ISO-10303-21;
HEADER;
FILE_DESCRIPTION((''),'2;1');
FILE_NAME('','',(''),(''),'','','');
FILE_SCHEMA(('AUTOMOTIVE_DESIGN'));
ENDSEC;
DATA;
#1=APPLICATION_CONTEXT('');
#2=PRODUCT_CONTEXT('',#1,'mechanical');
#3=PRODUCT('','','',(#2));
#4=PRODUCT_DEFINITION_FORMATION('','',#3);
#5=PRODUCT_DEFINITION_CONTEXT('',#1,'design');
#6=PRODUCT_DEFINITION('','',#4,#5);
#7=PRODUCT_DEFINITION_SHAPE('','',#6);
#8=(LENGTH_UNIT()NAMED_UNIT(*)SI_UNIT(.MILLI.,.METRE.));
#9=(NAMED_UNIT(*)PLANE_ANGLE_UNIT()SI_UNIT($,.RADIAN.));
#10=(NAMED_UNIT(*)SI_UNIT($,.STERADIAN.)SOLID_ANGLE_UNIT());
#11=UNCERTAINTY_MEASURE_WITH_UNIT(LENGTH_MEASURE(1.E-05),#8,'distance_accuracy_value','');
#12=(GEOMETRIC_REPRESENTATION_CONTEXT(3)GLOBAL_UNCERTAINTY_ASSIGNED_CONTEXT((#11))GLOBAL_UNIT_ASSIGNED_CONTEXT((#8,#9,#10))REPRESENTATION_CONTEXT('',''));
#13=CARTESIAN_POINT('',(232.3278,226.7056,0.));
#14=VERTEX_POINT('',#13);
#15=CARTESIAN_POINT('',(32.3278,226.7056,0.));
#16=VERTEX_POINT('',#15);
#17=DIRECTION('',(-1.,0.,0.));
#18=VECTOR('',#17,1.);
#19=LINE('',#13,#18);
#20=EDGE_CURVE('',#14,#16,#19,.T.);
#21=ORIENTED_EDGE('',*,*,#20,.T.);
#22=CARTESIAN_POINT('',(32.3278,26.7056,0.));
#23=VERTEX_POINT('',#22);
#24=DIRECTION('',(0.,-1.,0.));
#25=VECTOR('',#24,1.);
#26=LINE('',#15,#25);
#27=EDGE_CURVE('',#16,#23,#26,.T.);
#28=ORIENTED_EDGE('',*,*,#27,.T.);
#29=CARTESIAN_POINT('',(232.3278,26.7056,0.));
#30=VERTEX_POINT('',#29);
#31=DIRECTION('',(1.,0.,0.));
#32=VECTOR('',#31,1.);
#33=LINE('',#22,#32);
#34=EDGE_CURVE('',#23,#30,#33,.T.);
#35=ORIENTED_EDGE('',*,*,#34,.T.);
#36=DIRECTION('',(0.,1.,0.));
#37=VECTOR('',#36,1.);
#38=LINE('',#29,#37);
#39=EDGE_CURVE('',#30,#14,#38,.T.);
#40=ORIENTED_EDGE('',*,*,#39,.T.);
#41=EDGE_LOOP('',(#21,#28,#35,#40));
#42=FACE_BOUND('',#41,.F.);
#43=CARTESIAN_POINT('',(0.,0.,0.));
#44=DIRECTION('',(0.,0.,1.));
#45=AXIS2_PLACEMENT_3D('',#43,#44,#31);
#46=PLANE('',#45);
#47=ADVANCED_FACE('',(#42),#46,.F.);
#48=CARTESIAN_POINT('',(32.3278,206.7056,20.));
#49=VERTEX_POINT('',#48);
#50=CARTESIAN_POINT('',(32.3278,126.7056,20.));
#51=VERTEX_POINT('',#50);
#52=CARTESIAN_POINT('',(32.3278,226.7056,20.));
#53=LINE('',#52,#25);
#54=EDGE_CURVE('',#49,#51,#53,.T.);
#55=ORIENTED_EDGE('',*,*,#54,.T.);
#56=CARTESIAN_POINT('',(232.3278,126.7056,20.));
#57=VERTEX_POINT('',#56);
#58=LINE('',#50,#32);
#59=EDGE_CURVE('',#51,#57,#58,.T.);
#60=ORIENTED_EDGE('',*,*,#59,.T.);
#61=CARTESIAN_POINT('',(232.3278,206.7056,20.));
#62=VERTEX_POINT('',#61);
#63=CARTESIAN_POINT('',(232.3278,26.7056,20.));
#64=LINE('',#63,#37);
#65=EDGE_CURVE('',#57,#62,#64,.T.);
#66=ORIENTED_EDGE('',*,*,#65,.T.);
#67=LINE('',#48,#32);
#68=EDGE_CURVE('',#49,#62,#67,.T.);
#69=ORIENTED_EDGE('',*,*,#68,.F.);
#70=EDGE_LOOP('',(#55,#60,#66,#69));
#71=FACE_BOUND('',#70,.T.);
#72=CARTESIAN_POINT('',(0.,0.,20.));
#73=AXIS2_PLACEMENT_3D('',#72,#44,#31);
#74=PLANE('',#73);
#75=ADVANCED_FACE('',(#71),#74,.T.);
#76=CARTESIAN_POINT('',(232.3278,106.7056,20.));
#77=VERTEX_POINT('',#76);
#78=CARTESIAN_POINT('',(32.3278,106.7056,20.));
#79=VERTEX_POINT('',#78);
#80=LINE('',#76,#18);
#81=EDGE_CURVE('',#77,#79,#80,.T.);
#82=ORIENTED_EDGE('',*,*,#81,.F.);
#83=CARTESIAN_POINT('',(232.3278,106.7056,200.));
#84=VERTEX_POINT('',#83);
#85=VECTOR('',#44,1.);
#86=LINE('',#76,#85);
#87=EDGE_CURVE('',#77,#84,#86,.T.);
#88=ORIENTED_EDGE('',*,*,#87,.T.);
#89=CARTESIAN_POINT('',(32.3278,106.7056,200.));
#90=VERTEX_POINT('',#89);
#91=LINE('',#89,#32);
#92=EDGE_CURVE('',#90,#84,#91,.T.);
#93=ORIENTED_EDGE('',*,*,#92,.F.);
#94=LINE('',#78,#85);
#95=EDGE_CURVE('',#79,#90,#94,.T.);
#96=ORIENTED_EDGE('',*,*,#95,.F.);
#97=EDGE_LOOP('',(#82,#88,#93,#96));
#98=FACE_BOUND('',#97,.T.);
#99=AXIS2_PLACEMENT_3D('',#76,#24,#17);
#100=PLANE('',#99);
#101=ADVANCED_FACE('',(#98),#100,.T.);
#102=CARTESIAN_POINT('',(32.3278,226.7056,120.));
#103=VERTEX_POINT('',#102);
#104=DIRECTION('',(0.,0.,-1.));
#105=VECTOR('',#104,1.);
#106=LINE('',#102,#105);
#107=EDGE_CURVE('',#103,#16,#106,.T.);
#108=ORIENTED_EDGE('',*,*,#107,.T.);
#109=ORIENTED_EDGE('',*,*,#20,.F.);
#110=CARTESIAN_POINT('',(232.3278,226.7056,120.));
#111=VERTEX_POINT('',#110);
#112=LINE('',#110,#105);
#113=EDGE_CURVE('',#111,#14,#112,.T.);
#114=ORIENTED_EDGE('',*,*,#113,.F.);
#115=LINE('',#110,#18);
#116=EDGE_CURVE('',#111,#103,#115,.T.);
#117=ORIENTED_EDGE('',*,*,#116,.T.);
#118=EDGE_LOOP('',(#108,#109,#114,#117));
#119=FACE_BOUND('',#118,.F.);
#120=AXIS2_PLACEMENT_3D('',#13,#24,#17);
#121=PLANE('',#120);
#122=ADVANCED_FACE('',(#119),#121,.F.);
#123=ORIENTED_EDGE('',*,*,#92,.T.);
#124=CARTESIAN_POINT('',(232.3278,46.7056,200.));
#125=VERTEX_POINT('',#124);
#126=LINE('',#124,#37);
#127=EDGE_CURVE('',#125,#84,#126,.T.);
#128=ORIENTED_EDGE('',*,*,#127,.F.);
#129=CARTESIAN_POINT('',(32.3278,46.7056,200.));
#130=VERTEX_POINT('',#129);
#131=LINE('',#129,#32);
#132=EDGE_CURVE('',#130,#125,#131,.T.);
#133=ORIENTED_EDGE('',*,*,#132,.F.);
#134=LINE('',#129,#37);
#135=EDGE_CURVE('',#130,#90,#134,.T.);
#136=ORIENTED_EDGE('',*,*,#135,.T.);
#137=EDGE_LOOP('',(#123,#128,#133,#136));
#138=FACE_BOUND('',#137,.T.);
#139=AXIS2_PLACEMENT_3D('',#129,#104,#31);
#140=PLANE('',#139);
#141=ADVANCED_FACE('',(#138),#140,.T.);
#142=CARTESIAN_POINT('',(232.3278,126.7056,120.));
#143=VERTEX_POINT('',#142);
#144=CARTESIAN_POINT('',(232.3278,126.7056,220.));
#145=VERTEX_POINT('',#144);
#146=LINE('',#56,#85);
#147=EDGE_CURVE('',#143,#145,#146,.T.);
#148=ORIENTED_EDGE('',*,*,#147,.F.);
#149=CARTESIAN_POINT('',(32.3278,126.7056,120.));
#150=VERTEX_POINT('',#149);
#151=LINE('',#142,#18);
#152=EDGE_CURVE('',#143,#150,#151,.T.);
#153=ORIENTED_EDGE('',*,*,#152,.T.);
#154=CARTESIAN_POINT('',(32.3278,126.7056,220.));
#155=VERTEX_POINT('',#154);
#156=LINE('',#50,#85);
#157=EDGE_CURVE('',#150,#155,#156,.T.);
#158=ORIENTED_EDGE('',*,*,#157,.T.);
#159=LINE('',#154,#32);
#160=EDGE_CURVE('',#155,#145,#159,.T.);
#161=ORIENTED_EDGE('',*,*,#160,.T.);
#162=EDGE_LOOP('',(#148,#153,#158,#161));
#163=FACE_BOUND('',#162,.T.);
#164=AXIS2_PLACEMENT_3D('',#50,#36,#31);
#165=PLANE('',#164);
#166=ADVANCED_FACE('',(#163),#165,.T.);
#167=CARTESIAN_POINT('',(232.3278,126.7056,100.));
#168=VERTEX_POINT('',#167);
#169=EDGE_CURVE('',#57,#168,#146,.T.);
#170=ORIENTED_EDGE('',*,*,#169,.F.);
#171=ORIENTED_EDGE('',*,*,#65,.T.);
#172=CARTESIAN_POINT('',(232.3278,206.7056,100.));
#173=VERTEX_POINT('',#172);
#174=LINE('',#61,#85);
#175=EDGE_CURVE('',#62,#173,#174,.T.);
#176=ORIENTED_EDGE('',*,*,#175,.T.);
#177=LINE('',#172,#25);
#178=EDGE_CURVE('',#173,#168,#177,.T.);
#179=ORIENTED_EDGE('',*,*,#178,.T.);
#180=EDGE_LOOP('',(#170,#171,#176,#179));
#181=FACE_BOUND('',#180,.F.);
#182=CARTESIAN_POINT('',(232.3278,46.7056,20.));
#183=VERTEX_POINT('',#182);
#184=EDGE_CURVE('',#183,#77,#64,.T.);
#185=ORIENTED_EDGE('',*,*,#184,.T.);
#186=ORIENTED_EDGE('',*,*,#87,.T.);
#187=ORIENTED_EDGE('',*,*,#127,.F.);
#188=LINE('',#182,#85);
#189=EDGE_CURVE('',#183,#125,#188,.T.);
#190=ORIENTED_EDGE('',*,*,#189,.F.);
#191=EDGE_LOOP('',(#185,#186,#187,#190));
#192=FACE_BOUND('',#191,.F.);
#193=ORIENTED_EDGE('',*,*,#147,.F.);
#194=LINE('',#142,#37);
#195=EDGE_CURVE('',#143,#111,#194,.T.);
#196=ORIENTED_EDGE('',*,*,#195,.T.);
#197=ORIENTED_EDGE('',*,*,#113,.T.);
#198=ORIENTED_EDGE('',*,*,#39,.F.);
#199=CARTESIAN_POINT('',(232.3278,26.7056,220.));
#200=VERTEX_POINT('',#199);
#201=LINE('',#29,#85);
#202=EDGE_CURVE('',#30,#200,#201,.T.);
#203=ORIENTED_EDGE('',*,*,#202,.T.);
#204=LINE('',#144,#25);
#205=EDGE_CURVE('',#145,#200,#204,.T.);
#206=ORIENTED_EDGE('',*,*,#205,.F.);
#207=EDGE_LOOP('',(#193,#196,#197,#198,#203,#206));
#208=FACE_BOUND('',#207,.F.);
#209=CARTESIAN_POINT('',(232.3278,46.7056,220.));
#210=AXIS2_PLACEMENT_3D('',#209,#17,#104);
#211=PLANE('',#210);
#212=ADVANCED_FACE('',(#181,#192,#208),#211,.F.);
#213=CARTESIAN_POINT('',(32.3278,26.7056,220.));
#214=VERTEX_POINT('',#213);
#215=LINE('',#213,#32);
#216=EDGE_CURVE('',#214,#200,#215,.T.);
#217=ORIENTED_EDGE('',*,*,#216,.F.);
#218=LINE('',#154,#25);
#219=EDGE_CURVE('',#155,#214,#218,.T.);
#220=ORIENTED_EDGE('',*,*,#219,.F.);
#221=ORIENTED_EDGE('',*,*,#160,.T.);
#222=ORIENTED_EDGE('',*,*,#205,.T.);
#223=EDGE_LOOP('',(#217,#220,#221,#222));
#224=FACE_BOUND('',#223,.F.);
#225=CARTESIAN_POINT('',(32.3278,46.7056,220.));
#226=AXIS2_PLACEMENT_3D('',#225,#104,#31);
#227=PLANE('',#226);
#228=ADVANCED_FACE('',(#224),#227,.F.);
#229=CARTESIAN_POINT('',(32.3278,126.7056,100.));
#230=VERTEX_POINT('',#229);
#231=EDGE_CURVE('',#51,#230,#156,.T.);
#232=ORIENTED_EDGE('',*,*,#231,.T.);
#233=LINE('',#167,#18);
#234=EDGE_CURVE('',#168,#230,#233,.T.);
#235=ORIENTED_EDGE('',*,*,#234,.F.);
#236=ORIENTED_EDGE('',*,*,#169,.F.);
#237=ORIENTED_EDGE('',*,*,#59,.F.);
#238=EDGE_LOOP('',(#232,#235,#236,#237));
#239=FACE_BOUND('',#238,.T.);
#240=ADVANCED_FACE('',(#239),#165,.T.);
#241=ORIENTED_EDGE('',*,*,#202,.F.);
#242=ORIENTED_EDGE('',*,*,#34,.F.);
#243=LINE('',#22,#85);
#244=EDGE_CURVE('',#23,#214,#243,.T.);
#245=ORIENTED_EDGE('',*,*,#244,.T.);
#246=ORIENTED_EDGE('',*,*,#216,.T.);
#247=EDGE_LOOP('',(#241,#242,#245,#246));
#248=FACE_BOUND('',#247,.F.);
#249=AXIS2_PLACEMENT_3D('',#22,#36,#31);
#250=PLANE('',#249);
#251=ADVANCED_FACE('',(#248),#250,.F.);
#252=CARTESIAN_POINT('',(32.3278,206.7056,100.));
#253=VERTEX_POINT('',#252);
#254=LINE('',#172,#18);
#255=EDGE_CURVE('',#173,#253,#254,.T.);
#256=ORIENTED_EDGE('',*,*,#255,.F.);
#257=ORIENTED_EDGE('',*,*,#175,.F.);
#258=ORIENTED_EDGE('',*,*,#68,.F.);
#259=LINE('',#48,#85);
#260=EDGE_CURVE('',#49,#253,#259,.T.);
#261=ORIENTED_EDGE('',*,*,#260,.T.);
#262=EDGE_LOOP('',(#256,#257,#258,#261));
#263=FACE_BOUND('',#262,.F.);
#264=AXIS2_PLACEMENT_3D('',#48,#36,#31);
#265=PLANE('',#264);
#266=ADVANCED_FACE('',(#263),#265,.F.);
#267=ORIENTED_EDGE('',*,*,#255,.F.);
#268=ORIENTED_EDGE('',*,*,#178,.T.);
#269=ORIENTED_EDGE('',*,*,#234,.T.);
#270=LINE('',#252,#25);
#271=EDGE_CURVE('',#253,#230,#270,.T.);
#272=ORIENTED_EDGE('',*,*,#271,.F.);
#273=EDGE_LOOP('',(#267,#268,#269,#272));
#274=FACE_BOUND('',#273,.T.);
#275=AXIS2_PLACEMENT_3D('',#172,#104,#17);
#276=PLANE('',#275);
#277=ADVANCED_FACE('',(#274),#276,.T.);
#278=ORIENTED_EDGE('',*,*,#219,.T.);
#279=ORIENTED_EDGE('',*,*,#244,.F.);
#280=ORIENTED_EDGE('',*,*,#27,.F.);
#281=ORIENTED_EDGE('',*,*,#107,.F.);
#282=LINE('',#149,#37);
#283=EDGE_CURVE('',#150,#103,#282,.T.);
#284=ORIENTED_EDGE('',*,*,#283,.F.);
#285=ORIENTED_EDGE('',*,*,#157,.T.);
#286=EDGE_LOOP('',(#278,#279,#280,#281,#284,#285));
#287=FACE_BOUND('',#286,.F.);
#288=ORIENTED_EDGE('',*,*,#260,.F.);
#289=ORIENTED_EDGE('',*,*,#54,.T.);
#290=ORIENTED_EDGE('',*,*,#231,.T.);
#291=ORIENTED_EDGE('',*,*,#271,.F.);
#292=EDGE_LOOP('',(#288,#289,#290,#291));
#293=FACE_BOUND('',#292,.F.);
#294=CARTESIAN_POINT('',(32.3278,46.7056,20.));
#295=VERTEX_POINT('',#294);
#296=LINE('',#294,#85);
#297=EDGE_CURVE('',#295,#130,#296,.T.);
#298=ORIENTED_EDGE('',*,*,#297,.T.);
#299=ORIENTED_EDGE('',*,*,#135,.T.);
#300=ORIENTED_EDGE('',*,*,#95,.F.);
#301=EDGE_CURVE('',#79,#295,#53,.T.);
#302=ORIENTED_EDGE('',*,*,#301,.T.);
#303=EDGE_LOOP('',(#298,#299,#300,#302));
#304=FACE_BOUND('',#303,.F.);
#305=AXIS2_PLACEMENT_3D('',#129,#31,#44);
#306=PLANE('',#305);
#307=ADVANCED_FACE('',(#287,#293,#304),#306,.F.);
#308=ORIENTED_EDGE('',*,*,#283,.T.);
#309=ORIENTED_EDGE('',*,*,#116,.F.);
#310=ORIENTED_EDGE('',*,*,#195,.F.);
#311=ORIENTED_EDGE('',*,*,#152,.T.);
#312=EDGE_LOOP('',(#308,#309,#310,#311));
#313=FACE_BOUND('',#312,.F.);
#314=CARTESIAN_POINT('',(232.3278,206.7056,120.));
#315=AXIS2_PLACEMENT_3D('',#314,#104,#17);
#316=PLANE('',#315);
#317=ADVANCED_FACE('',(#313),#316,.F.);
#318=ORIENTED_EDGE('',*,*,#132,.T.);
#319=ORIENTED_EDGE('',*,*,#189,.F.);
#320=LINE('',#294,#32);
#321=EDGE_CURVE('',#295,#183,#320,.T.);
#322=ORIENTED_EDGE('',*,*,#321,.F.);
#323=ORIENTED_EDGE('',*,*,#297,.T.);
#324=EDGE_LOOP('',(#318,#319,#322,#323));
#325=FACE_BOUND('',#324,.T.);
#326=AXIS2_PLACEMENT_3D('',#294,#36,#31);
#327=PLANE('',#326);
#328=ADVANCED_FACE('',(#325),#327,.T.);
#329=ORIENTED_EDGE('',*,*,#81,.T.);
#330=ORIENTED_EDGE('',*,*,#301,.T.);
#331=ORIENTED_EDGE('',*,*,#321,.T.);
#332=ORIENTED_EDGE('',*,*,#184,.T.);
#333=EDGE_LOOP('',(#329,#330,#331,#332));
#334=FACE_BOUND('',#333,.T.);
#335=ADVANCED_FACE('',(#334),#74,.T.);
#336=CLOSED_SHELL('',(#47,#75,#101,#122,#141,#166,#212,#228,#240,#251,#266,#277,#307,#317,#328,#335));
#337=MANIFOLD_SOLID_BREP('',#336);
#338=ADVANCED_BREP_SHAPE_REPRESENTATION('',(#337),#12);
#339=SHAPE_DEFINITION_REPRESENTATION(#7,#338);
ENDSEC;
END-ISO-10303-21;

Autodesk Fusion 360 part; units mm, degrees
sketch "Sketch1" plane through (0, 0, 0) normal (0, 0, 1) x (1, 0, 0)
  line L0 (32.3278, 26.7056) -> (232.3278, 26.7056)
  line L1 (232.3278, 26.7056) -> (232.3278, 226.7056)
  line L2 (232.3278, 226.7056) -> (32.3278, 226.7056)
  line L3 (32.3278, 226.7056) -> (32.3278, 26.7056)
  dimension "d1" = 200
  dimension "d2" = 200
extrude "Extrude1" add sketch "Sketch1" along normal blind 20
sketch "Sketch2" plane through (0, 0, 20) normal (0, 0, 1) x (-1, 0, 0)
  line L0 (-32.3278, -226.7056) -> (-32.3278, -26.7056)
  line L1 (-32.3278, -26.7056) -> (-232.3278, -26.7056)
  line L2 (-232.3278, -26.7056) -> (-232.3278, -226.7056)
  line L3 (-232.3278, -226.7056) -> (-32.3278, -226.7056)
  line L4 (-232.3278, -226.7056) -> (-32.3278, -226.7056)
  line L5 (-32.3278, -226.7056) -> (-32.3278, -206.7056)
  line L6 (-32.3278, -206.7056) -> (-232.3278, -206.7056)
  line L7 (-232.3278, -206.7056) -> (-232.3278, -226.7056)
  dimension "d5" = 20
extrude "Extrude2" add sketch "Sketch2" along normal blind 100 contours L0 L2 L3 L4 L5 L6 L7
sketch "Sketch3" plane through (0, 206.7056, 0) normal (0, -1, 0) x (1, 0, 0)
  line L0 (32.3278, 20) -> (232.3278, 20)
  line L1 (232.3278, 20) -> (232.3278, 120)
  line L2 (232.3278, 120) -> (32.3278, 120)
  line L3 (32.3278, 120) -> (32.3278, 20)
  line L4 (32.3278, 120) -> (232.3278, 120)
  line L5 (232.3278, 120) -> (232.3278, 100)
  line L6 (232.3278, 100) -> (32.3278, 100)
  line L7 (32.3278, 100) -> (32.3278, 120)
  dimension "d8" = 200
  dimension "d9" = 20
extrude "Extrude3" add sketch "Sketch3" along normal blind 80 contours L1 L2 L3 L4 L5 L6 L7
sketch "Sketch4" plane through (0, 0, 20) normal (0, 0, 1) x (-1, 0, 0)
  line L0 (-232.3278, -206.7056) -> (-32.3278, -206.7056)
  line L1 (-32.3278, -206.7056) -> (-32.3278, -26.7056)
  line L2 (-32.3278, -26.7056) -> (-232.3278, -26.7056)
  line L3 (-232.3278, -26.7056) -> (-232.3278, -206.7056)
  line L4 (-232.3278, -26.7056) -> (-32.3278, -26.7056)
  line L5 (-32.3278, -26.7056) -> (-32.3278, -46.7056)
  line L6 (-32.3278, -46.7056) -> (-232.3278, -46.7056)
  line L7 (-232.3278, -46.7056) -> (-232.3278, -26.7056)
  line L8 (-232.3278, -26.7056) -> (-232.3278, -106.7056)
  line L9 (-232.3278, -106.7056) -> (-32.3278, -106.7056)
  line L10 (-32.3278, -106.7056) -> (-32.3278, -126.7056)
  line L11 (-32.3278, -126.7056) -> (-232.3278, -126.7056)
  line L12 (-232.3278, -126.7056) -> (-232.3278, -106.7056)
  dimension "d12" = 20
  dimension "d13" = 80
  dimension "d14" = 20
extrude "Extrude4" add sketch "Sketch4" along normal blind 200 contours L1 L3 L9 L10 L11 L12 | L1 L2 L3 L4 L5 L6 L7 L8
sketch "Sketch5" plane through (0, 46.7056, 0) normal (0, 1, 0) x (-1, 0, 0)
  line L0 (-232.3278, 20) -> (-32.3278, 20)
  line L1 (-32.3278, 20) -> (-32.3278, 220)
  line L2 (-32.3278, 220) -> (-232.3278, 220)
  line L3 (-232.3278, 220) -> (-232.3278, 20)
  line L4 (-232.3278, 220) -> (-32.3278, 220)
  line L5 (-32.3278, 220) -> (-32.3278, 200)
  line L6 (-32.3278, 200) -> (-232.3278, 200)
  line L7 (-232.3278, 200) -> (-232.3278, 220)
  dimension "d17" = 20
extrude "Extrude5" add sketch "Sketch5" along normal blind 60 contours L1 L2 L3 L4 L5 L6 L7
